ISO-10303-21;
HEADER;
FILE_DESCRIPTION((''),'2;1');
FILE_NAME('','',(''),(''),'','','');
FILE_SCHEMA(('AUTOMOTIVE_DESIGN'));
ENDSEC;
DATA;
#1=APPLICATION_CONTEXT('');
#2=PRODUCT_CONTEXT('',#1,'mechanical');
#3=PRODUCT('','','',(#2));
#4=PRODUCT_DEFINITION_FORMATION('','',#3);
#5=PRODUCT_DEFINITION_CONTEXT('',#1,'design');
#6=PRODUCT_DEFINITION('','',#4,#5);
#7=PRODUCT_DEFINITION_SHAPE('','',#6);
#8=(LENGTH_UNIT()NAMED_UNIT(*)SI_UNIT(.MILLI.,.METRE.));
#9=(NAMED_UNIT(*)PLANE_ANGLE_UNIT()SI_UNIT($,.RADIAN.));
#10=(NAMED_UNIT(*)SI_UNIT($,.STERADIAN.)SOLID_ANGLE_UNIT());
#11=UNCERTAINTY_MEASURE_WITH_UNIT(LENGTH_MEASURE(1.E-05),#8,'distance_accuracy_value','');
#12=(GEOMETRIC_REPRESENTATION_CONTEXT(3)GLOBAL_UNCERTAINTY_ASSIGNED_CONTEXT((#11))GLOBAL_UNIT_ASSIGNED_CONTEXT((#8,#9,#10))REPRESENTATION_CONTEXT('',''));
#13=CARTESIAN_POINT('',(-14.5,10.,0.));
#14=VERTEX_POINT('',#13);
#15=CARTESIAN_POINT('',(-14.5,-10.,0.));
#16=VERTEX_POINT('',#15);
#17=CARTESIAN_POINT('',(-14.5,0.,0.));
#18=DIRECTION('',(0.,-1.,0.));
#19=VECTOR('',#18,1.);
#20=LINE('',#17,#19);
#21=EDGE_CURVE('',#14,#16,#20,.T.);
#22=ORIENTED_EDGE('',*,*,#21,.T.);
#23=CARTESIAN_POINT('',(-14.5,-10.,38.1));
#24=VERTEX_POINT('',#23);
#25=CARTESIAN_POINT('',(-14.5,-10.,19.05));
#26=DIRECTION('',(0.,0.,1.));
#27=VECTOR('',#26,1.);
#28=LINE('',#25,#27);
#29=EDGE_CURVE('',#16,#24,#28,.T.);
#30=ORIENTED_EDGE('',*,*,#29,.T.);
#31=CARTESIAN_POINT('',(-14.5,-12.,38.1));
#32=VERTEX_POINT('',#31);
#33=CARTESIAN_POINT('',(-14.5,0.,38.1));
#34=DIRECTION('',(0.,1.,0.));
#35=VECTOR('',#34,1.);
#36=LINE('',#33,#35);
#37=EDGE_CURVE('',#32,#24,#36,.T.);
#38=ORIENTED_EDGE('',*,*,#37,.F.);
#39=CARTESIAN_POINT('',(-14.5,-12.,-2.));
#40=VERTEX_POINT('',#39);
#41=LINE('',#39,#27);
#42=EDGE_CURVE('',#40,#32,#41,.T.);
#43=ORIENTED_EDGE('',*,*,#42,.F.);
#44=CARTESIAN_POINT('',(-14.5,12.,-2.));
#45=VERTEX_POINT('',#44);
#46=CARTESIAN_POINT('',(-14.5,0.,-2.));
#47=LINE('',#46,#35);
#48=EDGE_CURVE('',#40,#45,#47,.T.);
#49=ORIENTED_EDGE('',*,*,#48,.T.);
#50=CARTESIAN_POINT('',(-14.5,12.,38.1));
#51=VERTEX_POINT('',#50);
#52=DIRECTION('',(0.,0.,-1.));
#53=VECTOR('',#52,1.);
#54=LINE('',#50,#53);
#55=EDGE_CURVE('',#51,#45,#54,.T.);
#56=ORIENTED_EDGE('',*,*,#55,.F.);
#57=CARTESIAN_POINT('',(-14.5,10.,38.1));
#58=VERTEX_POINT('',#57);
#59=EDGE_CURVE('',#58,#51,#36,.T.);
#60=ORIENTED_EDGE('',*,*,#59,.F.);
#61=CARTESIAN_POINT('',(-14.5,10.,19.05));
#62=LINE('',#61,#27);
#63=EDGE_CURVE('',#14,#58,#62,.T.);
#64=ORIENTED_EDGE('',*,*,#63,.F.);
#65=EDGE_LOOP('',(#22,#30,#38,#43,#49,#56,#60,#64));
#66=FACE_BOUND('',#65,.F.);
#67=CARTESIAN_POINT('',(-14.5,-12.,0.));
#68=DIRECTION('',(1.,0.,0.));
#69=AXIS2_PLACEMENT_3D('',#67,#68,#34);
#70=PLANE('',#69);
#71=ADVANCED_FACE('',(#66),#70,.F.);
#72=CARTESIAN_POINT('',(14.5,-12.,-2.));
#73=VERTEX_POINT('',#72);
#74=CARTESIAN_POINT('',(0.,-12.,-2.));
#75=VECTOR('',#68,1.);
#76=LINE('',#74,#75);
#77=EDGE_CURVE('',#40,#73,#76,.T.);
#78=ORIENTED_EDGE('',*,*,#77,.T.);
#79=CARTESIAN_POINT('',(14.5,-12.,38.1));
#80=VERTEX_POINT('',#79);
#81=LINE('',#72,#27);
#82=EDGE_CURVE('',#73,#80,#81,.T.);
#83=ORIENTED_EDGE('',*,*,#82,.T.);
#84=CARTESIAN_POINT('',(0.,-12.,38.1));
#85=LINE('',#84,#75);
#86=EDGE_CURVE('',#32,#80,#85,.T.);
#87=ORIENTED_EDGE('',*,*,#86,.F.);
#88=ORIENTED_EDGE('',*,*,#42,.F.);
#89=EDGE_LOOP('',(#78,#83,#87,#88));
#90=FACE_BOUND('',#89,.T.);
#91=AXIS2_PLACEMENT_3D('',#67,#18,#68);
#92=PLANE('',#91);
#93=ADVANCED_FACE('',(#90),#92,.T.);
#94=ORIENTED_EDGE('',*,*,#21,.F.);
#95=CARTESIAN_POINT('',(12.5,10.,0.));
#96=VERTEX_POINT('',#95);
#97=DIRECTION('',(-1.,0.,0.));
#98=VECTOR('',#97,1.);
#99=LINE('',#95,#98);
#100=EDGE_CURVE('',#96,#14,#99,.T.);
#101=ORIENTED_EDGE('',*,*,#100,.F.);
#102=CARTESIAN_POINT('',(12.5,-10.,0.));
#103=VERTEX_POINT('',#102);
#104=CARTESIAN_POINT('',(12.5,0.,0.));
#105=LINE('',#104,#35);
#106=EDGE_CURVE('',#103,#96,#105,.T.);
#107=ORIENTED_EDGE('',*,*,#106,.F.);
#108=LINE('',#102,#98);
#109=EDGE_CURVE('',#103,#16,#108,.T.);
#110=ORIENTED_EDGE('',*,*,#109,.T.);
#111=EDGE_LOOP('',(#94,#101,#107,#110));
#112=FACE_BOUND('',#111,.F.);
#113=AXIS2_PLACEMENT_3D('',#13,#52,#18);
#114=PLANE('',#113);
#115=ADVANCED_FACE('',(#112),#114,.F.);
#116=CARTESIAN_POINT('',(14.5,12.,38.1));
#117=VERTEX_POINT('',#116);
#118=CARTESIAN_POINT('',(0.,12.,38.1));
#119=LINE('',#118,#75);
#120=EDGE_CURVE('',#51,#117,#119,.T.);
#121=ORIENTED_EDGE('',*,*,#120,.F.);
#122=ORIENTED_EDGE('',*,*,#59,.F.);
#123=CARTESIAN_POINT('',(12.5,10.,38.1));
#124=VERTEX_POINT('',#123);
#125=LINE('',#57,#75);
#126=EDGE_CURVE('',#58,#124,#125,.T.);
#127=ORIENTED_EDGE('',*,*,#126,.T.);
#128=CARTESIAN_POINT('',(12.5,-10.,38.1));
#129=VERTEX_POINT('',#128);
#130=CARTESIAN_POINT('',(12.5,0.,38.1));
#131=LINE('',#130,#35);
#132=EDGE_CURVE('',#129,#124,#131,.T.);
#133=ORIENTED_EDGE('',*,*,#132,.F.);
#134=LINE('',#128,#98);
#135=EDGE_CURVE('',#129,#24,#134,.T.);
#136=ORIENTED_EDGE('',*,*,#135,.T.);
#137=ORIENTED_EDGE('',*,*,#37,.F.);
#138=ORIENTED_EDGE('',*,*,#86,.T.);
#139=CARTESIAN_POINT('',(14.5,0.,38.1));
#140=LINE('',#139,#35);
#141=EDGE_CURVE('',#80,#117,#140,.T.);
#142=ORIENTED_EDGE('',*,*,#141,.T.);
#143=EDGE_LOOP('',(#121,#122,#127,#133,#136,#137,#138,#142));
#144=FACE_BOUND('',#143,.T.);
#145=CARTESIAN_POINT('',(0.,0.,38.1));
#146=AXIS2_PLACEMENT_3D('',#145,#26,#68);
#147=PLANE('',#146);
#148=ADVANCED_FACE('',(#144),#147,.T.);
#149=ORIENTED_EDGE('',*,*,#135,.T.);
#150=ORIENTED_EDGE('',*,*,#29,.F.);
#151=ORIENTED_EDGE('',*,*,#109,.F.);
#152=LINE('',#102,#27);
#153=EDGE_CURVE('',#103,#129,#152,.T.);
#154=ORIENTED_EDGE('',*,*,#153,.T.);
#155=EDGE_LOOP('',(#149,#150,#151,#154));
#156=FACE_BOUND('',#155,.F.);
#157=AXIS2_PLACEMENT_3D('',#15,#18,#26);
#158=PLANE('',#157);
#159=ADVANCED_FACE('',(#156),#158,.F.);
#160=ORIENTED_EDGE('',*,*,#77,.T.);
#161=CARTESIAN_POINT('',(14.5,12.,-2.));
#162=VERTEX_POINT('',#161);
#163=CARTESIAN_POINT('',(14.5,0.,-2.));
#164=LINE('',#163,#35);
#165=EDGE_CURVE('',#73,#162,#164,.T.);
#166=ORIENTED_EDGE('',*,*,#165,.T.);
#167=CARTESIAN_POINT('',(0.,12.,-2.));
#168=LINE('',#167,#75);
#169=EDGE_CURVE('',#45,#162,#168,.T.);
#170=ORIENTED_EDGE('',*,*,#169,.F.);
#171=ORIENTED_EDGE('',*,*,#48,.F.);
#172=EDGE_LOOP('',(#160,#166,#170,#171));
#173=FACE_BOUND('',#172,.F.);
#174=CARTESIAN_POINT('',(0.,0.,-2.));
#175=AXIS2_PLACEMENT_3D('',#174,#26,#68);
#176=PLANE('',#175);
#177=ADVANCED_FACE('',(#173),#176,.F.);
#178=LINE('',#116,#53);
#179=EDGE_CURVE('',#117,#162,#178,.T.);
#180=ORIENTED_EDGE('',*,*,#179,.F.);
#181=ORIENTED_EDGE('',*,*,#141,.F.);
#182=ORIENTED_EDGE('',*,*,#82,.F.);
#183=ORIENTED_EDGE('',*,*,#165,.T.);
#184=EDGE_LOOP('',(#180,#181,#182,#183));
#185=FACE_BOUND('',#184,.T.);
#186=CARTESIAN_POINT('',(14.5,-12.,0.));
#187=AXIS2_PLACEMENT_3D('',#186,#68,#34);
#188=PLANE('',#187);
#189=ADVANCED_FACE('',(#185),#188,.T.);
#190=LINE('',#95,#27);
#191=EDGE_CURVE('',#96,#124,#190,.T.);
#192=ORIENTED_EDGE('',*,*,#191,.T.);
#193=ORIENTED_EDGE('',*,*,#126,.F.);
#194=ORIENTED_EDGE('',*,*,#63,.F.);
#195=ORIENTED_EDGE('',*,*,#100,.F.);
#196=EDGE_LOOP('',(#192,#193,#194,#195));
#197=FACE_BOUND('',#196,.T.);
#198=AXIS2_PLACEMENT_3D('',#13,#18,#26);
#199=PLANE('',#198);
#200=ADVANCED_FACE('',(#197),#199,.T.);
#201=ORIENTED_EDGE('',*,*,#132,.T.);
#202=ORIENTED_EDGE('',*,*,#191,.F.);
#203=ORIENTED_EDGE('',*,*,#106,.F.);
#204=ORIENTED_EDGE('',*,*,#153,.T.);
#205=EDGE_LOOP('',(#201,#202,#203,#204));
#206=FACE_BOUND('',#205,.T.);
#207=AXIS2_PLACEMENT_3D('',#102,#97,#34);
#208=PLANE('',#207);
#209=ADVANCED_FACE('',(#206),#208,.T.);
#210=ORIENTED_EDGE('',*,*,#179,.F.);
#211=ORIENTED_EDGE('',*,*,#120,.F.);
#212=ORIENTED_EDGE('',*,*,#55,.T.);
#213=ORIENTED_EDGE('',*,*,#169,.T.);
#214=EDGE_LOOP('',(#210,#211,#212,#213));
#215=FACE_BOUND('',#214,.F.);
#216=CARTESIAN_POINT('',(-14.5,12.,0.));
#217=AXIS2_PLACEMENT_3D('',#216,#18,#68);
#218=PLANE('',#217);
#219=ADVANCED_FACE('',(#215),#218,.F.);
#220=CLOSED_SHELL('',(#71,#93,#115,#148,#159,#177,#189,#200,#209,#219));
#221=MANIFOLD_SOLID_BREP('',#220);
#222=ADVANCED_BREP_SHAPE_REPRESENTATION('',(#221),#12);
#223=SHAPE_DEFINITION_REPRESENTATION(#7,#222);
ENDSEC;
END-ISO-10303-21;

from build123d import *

# Parameters (mm, degrees)
F0_W     = 29
F0_H     = 24
F0_W_2   = 25
F0_H_2   = 20
F1_DEPTH = 38.1
F2_DEPTH = 2
F3_W     = 20
F3_H     = 38.1
F4_DEPTH = 2


with BuildPart() as f1:
    # F0 (on Top) → F1 (new body)
    with BuildSketch(Plane.XY):
        Rectangle(F0_W, F0_H)
        Rectangle(F0_W_2, F0_H_2, mode=Mode.SUBTRACT)
    extrude(amount=F1_DEPTH)

    # F0 (on Top) → F2 (join)
    with BuildSketch(Plane.XY):
        Rectangle(F0_W, F0_H)
        Rectangle(F0_W_2, F0_H_2, mode=Mode.SUBTRACT)
        Rectangle(F0_W_2, F0_H_2)
    extrude(amount=-F2_DEPTH)

    # F3 (on face) → F4 (cut)
    with BuildSketch(Plane(origin=(-14.5, 0, 0), x_dir=(0, -1, 0), z_dir=(-1, 0, 0))):
        with Locations((0, 19.05)):
            Rectangle(F3_W, F3_H)
    extrude(amount=-F4_DEPTH, mode=Mode.SUBTRACT)


solid = f1.part
